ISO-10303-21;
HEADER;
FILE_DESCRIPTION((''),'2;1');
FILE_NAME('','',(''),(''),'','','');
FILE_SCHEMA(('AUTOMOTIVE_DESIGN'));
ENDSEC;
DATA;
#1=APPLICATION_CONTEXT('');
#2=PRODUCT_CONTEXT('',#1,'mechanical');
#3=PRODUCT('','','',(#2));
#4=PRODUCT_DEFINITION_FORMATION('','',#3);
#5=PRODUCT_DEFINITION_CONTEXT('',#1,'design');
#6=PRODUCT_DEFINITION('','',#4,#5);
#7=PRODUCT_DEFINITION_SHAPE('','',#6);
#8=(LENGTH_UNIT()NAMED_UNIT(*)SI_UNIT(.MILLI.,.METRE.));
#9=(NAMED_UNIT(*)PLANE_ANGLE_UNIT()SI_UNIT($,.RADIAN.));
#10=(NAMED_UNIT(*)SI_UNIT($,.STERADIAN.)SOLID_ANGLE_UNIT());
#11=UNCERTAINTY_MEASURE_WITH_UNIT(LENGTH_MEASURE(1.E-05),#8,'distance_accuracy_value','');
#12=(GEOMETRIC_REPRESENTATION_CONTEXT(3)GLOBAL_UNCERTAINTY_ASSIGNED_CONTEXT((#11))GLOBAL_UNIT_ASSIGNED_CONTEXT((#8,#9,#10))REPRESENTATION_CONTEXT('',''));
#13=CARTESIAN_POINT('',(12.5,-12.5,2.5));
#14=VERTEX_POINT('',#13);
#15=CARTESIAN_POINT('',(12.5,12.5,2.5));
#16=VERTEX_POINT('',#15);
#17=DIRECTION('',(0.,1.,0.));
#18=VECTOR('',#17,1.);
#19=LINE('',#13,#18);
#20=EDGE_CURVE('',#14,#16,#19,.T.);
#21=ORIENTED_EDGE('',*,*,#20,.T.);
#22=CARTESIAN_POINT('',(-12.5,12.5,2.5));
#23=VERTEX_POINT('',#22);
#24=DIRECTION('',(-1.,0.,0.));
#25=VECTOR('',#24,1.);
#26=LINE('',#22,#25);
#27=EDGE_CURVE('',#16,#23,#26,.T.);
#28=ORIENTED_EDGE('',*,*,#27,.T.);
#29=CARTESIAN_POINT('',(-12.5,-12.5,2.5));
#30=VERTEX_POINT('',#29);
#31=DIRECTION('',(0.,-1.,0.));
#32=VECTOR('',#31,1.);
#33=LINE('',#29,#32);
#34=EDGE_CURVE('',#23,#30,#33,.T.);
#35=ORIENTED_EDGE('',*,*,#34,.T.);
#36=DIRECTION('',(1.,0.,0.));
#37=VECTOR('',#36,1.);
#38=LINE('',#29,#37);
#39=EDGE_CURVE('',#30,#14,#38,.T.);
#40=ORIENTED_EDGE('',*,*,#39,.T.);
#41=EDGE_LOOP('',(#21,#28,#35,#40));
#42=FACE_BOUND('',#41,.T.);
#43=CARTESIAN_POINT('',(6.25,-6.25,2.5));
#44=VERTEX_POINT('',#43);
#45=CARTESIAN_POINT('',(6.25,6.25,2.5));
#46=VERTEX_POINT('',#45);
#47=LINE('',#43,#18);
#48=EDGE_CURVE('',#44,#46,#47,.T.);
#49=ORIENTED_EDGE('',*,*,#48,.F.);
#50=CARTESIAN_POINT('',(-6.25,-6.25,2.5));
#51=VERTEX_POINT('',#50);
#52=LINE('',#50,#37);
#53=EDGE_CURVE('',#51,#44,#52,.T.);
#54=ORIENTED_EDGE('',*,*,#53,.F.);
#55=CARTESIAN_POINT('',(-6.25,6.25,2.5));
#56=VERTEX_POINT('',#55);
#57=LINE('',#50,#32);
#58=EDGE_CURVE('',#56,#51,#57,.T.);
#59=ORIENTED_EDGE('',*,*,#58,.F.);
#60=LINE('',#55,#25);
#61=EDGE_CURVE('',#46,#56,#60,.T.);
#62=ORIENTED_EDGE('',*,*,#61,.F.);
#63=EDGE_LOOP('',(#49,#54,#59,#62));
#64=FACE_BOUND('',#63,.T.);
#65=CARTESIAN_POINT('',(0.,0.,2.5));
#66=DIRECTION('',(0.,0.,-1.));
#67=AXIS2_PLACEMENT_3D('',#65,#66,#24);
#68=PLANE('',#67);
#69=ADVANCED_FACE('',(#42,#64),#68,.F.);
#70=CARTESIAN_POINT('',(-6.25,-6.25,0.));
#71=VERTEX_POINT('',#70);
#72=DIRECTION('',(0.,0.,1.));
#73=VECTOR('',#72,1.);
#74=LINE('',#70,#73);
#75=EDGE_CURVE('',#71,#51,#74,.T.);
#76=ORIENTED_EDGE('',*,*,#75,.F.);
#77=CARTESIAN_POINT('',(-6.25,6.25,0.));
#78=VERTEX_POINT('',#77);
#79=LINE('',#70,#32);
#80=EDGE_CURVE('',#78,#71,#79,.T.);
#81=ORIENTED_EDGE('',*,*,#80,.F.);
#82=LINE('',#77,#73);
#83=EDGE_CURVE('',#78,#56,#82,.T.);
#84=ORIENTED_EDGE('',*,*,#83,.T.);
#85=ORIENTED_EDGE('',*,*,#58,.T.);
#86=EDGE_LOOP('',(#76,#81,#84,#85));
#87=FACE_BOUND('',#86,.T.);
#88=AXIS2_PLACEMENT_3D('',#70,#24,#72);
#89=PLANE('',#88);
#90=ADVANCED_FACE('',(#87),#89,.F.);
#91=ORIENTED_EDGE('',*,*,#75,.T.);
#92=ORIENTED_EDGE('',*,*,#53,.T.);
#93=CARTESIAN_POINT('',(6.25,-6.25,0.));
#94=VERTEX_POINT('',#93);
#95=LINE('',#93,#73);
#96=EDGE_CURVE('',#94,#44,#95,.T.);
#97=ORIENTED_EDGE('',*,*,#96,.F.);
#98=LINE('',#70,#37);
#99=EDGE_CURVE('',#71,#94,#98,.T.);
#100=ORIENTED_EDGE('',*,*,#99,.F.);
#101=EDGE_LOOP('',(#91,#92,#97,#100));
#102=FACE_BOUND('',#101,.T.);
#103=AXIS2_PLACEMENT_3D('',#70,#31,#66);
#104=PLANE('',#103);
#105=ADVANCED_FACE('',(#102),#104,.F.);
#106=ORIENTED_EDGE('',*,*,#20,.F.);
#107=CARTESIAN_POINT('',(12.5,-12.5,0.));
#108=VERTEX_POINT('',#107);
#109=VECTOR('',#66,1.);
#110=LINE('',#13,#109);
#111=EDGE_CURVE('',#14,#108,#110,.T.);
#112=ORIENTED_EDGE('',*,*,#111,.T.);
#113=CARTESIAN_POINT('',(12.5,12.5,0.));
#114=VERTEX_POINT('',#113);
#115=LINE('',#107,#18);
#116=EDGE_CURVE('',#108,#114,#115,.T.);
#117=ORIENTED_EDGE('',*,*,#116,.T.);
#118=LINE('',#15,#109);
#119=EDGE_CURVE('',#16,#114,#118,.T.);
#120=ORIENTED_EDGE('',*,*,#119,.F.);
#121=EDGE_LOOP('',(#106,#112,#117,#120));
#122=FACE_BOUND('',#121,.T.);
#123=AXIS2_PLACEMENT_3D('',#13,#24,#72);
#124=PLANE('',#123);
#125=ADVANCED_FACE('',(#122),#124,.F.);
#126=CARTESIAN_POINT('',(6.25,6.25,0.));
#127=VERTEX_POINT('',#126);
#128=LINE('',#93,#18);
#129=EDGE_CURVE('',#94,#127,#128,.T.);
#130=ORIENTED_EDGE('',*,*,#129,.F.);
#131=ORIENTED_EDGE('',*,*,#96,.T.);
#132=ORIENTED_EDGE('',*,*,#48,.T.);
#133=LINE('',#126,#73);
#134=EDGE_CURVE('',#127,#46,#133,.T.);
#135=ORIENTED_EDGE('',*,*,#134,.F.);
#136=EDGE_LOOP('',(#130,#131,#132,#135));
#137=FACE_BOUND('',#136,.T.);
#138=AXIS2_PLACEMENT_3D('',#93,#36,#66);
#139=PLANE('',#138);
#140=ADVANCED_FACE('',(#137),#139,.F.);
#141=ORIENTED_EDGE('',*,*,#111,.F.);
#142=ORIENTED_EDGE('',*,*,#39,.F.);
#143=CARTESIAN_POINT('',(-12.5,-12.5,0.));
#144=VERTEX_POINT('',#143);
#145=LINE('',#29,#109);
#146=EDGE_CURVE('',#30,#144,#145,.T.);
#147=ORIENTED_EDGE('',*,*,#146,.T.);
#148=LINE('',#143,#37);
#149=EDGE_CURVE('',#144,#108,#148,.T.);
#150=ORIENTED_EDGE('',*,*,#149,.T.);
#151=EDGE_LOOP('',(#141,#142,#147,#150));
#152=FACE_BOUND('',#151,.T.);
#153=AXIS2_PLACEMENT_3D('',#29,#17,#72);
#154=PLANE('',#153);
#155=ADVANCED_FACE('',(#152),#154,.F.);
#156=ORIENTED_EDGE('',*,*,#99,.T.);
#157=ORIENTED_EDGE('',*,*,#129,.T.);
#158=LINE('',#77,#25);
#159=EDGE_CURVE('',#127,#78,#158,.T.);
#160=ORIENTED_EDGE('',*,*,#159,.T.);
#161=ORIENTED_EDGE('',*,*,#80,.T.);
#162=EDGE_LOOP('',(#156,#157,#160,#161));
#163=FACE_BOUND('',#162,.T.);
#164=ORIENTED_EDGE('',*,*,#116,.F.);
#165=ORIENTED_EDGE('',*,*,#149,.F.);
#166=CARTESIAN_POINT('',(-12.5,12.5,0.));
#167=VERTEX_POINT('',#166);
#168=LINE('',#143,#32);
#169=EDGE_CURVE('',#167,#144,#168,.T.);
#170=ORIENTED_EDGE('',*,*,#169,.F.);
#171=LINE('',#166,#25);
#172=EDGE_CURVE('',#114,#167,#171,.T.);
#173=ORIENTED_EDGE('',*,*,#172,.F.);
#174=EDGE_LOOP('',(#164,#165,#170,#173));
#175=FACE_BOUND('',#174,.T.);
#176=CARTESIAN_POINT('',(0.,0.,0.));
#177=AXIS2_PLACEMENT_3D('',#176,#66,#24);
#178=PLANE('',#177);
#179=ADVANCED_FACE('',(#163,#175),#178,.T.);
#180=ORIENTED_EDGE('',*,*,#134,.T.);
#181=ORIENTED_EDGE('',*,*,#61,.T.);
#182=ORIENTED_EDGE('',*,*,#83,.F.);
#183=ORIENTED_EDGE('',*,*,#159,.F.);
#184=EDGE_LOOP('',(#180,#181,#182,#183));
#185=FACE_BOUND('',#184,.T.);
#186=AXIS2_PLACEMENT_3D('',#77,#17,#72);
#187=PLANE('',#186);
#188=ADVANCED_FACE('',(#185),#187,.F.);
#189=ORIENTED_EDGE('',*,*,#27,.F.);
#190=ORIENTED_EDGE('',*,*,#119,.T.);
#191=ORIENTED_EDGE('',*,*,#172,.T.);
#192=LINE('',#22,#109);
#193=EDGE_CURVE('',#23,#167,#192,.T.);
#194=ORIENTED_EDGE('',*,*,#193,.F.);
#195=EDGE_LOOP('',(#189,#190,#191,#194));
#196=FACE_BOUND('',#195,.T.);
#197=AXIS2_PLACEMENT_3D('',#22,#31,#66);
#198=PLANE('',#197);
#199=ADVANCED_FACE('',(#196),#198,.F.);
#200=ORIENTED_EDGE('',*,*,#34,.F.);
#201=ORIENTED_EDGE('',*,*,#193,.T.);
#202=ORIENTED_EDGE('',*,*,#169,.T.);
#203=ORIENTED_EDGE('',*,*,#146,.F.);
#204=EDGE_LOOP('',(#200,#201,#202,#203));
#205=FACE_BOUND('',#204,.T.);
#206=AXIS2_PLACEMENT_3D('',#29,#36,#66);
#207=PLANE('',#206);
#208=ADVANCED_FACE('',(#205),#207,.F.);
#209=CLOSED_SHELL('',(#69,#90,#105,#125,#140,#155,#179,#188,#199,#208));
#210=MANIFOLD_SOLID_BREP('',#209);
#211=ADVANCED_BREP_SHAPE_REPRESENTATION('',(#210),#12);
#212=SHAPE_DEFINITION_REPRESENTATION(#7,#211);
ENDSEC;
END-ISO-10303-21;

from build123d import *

# Parameters (mm, degrees)
SKETCH1_W           = 25
SKETCH1_H           = 25
BOSS_EXTRUDE1_DEPTH = 2.5
SKETCH2_W           = 12.5
SKETCH2_H           = 12.5
CUT_EXTRUDE1_DEPTH  = 2.5


with BuildPart() as part:
    # Sketch1 → Boss-Extrude1 (new body)
    with BuildSketch(Plane.XY):
        Rectangle(SKETCH1_W, SKETCH1_H)
    extrude(amount=BOSS_EXTRUDE1_DEPTH)

    # Sketch2 → Cut-Extrude1 (cut)
    with BuildSketch(Plane.XY.offset(2.5)):
        Rectangle(SKETCH2_W, SKETCH2_H)
    extrude(amount=-CUT_EXTRUDE1_DEPTH, mode=Mode.SUBTRACT)


solid = part.part
